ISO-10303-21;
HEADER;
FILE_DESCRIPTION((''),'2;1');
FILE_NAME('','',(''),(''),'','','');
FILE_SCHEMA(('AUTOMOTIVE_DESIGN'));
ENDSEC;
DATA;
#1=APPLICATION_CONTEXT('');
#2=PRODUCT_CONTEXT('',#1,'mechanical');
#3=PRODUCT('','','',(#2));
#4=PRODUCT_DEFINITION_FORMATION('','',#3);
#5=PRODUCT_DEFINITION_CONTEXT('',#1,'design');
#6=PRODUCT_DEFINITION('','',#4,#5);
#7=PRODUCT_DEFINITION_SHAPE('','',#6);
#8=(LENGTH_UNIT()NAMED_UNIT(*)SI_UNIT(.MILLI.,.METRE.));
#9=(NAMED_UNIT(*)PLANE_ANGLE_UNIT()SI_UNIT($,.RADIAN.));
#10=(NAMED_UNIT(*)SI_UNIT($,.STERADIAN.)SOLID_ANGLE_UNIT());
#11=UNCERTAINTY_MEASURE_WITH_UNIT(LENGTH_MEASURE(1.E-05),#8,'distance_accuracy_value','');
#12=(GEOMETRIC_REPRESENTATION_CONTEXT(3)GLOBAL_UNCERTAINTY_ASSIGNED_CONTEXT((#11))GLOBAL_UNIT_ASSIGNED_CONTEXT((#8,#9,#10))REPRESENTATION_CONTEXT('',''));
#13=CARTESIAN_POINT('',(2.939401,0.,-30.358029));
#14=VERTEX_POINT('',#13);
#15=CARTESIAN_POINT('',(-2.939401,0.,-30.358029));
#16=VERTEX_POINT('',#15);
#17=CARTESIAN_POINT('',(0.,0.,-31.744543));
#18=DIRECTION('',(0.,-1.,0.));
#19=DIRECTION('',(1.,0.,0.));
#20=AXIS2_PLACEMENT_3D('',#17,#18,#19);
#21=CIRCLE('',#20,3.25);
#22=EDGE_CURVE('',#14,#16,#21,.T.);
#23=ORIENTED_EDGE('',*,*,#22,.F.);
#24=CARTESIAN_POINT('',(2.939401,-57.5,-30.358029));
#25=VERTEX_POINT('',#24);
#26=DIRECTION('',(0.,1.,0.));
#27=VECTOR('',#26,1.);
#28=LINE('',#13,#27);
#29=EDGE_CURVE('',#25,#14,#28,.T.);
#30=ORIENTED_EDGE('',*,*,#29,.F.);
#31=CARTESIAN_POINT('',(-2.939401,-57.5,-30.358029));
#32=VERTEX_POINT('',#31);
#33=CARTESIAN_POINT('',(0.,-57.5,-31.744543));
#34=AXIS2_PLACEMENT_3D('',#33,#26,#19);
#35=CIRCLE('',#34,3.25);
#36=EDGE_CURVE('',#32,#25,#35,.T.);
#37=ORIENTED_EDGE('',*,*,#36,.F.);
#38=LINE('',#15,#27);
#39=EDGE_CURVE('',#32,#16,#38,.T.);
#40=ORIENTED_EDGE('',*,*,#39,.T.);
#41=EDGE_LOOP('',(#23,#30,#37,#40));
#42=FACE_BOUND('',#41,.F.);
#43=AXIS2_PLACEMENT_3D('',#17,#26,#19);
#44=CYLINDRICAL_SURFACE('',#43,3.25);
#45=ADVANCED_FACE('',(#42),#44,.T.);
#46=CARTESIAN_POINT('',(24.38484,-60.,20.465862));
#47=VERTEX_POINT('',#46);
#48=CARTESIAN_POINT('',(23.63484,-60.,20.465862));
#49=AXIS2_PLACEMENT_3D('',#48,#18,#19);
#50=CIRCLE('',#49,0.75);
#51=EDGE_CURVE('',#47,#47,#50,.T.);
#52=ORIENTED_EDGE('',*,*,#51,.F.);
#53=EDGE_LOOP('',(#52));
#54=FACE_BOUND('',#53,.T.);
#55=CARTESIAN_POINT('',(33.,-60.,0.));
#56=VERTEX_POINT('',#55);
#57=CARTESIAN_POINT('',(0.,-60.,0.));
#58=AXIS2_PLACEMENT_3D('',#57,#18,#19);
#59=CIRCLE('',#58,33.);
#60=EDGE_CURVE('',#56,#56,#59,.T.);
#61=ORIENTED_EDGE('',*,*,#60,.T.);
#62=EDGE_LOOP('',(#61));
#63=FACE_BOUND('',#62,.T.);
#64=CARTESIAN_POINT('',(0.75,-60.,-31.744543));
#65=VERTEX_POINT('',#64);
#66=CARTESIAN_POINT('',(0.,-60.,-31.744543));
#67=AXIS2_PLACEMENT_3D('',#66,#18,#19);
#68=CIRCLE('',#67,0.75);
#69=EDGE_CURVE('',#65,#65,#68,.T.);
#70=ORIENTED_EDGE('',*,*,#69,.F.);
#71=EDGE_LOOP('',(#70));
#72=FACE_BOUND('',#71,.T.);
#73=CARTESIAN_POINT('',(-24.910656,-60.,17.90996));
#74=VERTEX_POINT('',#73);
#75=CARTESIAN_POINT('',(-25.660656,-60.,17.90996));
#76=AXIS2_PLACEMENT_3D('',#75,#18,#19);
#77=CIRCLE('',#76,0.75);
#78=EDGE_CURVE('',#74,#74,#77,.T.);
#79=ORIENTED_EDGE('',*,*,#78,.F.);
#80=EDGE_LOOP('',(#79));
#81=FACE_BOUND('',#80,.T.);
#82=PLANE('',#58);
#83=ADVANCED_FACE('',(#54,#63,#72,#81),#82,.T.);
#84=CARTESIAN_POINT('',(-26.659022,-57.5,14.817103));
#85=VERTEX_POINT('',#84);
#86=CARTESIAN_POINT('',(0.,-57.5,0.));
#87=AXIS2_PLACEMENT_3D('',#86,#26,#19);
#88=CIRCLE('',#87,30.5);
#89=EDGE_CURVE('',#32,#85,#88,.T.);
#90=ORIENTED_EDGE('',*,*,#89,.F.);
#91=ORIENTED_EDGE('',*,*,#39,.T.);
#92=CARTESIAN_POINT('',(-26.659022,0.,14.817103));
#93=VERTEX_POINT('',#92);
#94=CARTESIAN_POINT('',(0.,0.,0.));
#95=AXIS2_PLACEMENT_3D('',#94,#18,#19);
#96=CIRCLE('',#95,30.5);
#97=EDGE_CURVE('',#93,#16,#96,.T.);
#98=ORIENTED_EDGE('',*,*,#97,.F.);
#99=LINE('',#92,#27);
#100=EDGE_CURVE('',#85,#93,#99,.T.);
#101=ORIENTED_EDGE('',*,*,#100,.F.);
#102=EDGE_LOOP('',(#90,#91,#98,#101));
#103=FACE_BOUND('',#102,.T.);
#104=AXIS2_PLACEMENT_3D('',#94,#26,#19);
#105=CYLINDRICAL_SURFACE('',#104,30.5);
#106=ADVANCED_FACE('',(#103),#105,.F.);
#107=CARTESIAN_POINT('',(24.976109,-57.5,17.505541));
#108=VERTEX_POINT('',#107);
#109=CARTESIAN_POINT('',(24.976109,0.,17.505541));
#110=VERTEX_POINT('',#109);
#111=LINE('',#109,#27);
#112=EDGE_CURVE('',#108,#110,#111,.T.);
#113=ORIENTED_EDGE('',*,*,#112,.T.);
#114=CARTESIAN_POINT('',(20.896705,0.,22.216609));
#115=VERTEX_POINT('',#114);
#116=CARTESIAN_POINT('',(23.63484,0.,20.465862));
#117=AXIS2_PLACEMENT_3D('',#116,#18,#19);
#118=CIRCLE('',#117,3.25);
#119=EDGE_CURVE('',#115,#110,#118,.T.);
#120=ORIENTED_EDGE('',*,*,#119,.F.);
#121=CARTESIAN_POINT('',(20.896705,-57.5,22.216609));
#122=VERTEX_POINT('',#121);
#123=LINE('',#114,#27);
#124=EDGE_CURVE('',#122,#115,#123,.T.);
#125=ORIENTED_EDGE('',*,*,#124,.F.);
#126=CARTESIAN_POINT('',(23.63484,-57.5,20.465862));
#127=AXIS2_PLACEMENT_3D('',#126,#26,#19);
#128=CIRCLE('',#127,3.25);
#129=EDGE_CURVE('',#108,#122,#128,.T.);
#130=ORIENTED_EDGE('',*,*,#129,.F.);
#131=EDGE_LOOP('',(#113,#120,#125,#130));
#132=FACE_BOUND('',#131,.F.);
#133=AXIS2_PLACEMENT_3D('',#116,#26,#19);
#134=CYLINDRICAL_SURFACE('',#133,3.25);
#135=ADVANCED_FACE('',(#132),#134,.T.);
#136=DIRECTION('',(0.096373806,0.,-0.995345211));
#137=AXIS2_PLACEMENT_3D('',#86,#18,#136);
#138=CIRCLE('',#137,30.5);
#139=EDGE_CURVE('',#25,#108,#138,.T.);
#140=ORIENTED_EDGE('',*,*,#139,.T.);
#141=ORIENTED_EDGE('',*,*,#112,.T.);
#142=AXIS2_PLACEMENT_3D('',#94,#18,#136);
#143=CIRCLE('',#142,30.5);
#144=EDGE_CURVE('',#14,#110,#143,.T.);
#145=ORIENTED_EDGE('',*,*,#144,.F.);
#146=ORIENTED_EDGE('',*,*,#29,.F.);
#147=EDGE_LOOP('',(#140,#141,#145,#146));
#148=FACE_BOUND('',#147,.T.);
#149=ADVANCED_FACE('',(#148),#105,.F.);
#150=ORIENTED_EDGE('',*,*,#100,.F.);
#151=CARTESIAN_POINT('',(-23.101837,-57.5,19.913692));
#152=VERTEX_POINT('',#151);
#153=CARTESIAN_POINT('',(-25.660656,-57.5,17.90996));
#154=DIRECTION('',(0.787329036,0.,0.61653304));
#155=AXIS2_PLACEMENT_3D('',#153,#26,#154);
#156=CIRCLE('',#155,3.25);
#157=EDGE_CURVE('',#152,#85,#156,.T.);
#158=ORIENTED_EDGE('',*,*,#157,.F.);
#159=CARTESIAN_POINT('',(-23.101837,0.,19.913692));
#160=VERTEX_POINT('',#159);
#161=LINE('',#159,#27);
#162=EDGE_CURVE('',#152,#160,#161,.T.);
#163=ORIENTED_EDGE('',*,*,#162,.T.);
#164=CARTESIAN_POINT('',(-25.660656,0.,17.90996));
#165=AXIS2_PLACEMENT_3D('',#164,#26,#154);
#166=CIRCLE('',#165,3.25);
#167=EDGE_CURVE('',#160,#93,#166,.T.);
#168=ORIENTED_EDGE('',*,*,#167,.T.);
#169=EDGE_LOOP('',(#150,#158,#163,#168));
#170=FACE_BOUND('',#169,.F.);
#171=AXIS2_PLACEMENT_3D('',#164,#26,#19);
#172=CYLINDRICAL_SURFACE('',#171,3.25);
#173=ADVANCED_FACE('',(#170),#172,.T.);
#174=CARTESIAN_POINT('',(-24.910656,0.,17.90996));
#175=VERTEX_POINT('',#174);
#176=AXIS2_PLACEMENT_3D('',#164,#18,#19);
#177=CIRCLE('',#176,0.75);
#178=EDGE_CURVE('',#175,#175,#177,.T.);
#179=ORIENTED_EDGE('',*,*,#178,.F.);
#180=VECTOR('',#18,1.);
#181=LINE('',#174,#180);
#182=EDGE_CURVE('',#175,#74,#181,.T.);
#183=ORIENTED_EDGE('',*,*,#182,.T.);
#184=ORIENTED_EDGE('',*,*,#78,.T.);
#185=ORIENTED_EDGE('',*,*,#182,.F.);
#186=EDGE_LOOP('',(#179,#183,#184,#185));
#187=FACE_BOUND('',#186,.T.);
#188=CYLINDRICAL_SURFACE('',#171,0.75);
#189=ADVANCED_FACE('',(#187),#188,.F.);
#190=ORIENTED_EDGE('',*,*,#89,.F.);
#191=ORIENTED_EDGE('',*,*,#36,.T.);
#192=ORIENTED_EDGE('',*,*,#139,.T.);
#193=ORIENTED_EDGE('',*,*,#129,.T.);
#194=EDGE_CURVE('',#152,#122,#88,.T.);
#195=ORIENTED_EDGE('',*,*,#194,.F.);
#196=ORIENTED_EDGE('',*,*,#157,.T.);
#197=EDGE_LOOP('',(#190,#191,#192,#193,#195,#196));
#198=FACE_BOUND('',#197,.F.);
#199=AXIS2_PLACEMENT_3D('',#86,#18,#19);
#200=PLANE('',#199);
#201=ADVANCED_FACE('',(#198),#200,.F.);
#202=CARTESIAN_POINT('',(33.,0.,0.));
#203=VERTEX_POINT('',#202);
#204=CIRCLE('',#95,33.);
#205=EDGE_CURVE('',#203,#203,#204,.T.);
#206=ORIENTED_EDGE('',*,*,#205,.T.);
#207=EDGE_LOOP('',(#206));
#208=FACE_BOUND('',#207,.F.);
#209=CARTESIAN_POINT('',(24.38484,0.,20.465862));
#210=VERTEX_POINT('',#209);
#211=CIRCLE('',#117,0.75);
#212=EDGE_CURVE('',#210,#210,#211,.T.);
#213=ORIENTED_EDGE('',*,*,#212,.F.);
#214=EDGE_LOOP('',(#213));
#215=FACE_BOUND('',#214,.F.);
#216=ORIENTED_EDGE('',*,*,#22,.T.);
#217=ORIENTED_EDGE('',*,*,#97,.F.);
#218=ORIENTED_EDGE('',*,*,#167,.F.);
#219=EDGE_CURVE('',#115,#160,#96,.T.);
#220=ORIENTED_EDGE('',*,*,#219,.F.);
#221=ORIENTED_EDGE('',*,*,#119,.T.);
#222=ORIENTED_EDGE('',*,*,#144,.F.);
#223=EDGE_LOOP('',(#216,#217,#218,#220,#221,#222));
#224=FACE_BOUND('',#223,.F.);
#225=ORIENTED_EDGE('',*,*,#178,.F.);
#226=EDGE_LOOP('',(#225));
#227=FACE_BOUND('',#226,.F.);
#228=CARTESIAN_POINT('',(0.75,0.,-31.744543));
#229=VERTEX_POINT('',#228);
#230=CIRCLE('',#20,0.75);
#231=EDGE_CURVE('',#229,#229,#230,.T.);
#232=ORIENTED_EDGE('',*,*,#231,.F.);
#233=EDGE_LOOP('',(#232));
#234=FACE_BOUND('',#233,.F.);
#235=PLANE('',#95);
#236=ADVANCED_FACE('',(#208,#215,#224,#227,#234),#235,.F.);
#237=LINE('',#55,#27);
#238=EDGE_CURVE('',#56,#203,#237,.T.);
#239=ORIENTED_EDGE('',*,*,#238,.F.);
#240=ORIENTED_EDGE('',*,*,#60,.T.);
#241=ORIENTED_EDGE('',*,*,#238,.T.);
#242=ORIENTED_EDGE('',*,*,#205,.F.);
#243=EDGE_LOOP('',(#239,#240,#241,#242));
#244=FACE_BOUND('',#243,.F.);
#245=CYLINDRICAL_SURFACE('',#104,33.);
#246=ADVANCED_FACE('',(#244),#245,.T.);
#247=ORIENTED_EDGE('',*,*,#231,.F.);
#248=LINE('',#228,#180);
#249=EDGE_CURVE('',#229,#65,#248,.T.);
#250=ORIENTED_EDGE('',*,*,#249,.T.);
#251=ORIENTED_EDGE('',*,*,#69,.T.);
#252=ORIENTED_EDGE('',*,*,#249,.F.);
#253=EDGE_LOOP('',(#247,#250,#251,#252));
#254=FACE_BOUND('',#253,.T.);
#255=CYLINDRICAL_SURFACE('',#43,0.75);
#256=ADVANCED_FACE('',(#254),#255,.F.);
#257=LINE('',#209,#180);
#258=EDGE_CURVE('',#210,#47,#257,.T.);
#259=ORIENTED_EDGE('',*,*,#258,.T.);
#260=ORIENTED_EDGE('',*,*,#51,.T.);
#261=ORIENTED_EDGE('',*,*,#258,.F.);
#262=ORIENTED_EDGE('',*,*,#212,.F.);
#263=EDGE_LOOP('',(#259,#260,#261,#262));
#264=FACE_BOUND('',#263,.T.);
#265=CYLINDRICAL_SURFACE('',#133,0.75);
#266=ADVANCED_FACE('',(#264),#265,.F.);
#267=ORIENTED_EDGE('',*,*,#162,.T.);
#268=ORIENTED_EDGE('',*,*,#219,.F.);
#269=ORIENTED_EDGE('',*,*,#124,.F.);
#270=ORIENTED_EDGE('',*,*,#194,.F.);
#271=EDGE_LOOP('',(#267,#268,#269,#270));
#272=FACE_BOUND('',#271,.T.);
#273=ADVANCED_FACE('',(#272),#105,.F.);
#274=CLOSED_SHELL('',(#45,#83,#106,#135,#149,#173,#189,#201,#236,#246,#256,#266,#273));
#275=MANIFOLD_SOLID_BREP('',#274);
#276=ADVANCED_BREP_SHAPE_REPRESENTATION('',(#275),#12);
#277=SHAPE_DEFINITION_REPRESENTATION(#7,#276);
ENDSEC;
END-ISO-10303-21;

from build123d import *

# Parameters (mm, degrees)
F0_R     = 33
F0_R_2   = 0.75
F0_R_3   = 30
F1_DEPTH = 60
F2_DEPTH = 3
F3_T     = -2.5


with BuildPart() as f1:
    # F0 (on Front) → F1 (new body)
    with BuildSketch(Plane.XZ):
        Circle(F0_R)
        with Locations((0, -31.744543)):
            Circle(F0_R_2, mode=Mode.SUBTRACT)
        with Locations((-25.660656, 17.90996)):
            Circle(F0_R_2, mode=Mode.SUBTRACT)
        Circle(F0_R_3, mode=Mode.SUBTRACT)
        with Locations((23.63484, 20.465862)):
            Circle(F0_R_2, mode=Mode.SUBTRACT)
        Circle(F0_R_3)
    extrude(amount=F1_DEPTH)

    # F0 (on Front) → F2 (join)
    with BuildSketch(Plane.XZ):
        Circle(F0_R)
        with Locations((0, -31.744543)):
            Circle(F0_R_2, mode=Mode.SUBTRACT)
        with Locations((-25.660656, 17.90996)):
            Circle(F0_R_2, mode=Mode.SUBTRACT)
        Circle(F0_R_3, mode=Mode.SUBTRACT)
        with Locations((23.63484, 20.465862)):
            Circle(F0_R_2, mode=Mode.SUBTRACT)
    extrude(amount=F2_DEPTH)

    # F3
    f3_openings = [f1.faces().sort_by_distance(p)[0] for p in [
        (0.001048, 0, -0.003431),
    ]]
    offset(amount=F3_T, openings=f3_openings)


solid = f1.part
